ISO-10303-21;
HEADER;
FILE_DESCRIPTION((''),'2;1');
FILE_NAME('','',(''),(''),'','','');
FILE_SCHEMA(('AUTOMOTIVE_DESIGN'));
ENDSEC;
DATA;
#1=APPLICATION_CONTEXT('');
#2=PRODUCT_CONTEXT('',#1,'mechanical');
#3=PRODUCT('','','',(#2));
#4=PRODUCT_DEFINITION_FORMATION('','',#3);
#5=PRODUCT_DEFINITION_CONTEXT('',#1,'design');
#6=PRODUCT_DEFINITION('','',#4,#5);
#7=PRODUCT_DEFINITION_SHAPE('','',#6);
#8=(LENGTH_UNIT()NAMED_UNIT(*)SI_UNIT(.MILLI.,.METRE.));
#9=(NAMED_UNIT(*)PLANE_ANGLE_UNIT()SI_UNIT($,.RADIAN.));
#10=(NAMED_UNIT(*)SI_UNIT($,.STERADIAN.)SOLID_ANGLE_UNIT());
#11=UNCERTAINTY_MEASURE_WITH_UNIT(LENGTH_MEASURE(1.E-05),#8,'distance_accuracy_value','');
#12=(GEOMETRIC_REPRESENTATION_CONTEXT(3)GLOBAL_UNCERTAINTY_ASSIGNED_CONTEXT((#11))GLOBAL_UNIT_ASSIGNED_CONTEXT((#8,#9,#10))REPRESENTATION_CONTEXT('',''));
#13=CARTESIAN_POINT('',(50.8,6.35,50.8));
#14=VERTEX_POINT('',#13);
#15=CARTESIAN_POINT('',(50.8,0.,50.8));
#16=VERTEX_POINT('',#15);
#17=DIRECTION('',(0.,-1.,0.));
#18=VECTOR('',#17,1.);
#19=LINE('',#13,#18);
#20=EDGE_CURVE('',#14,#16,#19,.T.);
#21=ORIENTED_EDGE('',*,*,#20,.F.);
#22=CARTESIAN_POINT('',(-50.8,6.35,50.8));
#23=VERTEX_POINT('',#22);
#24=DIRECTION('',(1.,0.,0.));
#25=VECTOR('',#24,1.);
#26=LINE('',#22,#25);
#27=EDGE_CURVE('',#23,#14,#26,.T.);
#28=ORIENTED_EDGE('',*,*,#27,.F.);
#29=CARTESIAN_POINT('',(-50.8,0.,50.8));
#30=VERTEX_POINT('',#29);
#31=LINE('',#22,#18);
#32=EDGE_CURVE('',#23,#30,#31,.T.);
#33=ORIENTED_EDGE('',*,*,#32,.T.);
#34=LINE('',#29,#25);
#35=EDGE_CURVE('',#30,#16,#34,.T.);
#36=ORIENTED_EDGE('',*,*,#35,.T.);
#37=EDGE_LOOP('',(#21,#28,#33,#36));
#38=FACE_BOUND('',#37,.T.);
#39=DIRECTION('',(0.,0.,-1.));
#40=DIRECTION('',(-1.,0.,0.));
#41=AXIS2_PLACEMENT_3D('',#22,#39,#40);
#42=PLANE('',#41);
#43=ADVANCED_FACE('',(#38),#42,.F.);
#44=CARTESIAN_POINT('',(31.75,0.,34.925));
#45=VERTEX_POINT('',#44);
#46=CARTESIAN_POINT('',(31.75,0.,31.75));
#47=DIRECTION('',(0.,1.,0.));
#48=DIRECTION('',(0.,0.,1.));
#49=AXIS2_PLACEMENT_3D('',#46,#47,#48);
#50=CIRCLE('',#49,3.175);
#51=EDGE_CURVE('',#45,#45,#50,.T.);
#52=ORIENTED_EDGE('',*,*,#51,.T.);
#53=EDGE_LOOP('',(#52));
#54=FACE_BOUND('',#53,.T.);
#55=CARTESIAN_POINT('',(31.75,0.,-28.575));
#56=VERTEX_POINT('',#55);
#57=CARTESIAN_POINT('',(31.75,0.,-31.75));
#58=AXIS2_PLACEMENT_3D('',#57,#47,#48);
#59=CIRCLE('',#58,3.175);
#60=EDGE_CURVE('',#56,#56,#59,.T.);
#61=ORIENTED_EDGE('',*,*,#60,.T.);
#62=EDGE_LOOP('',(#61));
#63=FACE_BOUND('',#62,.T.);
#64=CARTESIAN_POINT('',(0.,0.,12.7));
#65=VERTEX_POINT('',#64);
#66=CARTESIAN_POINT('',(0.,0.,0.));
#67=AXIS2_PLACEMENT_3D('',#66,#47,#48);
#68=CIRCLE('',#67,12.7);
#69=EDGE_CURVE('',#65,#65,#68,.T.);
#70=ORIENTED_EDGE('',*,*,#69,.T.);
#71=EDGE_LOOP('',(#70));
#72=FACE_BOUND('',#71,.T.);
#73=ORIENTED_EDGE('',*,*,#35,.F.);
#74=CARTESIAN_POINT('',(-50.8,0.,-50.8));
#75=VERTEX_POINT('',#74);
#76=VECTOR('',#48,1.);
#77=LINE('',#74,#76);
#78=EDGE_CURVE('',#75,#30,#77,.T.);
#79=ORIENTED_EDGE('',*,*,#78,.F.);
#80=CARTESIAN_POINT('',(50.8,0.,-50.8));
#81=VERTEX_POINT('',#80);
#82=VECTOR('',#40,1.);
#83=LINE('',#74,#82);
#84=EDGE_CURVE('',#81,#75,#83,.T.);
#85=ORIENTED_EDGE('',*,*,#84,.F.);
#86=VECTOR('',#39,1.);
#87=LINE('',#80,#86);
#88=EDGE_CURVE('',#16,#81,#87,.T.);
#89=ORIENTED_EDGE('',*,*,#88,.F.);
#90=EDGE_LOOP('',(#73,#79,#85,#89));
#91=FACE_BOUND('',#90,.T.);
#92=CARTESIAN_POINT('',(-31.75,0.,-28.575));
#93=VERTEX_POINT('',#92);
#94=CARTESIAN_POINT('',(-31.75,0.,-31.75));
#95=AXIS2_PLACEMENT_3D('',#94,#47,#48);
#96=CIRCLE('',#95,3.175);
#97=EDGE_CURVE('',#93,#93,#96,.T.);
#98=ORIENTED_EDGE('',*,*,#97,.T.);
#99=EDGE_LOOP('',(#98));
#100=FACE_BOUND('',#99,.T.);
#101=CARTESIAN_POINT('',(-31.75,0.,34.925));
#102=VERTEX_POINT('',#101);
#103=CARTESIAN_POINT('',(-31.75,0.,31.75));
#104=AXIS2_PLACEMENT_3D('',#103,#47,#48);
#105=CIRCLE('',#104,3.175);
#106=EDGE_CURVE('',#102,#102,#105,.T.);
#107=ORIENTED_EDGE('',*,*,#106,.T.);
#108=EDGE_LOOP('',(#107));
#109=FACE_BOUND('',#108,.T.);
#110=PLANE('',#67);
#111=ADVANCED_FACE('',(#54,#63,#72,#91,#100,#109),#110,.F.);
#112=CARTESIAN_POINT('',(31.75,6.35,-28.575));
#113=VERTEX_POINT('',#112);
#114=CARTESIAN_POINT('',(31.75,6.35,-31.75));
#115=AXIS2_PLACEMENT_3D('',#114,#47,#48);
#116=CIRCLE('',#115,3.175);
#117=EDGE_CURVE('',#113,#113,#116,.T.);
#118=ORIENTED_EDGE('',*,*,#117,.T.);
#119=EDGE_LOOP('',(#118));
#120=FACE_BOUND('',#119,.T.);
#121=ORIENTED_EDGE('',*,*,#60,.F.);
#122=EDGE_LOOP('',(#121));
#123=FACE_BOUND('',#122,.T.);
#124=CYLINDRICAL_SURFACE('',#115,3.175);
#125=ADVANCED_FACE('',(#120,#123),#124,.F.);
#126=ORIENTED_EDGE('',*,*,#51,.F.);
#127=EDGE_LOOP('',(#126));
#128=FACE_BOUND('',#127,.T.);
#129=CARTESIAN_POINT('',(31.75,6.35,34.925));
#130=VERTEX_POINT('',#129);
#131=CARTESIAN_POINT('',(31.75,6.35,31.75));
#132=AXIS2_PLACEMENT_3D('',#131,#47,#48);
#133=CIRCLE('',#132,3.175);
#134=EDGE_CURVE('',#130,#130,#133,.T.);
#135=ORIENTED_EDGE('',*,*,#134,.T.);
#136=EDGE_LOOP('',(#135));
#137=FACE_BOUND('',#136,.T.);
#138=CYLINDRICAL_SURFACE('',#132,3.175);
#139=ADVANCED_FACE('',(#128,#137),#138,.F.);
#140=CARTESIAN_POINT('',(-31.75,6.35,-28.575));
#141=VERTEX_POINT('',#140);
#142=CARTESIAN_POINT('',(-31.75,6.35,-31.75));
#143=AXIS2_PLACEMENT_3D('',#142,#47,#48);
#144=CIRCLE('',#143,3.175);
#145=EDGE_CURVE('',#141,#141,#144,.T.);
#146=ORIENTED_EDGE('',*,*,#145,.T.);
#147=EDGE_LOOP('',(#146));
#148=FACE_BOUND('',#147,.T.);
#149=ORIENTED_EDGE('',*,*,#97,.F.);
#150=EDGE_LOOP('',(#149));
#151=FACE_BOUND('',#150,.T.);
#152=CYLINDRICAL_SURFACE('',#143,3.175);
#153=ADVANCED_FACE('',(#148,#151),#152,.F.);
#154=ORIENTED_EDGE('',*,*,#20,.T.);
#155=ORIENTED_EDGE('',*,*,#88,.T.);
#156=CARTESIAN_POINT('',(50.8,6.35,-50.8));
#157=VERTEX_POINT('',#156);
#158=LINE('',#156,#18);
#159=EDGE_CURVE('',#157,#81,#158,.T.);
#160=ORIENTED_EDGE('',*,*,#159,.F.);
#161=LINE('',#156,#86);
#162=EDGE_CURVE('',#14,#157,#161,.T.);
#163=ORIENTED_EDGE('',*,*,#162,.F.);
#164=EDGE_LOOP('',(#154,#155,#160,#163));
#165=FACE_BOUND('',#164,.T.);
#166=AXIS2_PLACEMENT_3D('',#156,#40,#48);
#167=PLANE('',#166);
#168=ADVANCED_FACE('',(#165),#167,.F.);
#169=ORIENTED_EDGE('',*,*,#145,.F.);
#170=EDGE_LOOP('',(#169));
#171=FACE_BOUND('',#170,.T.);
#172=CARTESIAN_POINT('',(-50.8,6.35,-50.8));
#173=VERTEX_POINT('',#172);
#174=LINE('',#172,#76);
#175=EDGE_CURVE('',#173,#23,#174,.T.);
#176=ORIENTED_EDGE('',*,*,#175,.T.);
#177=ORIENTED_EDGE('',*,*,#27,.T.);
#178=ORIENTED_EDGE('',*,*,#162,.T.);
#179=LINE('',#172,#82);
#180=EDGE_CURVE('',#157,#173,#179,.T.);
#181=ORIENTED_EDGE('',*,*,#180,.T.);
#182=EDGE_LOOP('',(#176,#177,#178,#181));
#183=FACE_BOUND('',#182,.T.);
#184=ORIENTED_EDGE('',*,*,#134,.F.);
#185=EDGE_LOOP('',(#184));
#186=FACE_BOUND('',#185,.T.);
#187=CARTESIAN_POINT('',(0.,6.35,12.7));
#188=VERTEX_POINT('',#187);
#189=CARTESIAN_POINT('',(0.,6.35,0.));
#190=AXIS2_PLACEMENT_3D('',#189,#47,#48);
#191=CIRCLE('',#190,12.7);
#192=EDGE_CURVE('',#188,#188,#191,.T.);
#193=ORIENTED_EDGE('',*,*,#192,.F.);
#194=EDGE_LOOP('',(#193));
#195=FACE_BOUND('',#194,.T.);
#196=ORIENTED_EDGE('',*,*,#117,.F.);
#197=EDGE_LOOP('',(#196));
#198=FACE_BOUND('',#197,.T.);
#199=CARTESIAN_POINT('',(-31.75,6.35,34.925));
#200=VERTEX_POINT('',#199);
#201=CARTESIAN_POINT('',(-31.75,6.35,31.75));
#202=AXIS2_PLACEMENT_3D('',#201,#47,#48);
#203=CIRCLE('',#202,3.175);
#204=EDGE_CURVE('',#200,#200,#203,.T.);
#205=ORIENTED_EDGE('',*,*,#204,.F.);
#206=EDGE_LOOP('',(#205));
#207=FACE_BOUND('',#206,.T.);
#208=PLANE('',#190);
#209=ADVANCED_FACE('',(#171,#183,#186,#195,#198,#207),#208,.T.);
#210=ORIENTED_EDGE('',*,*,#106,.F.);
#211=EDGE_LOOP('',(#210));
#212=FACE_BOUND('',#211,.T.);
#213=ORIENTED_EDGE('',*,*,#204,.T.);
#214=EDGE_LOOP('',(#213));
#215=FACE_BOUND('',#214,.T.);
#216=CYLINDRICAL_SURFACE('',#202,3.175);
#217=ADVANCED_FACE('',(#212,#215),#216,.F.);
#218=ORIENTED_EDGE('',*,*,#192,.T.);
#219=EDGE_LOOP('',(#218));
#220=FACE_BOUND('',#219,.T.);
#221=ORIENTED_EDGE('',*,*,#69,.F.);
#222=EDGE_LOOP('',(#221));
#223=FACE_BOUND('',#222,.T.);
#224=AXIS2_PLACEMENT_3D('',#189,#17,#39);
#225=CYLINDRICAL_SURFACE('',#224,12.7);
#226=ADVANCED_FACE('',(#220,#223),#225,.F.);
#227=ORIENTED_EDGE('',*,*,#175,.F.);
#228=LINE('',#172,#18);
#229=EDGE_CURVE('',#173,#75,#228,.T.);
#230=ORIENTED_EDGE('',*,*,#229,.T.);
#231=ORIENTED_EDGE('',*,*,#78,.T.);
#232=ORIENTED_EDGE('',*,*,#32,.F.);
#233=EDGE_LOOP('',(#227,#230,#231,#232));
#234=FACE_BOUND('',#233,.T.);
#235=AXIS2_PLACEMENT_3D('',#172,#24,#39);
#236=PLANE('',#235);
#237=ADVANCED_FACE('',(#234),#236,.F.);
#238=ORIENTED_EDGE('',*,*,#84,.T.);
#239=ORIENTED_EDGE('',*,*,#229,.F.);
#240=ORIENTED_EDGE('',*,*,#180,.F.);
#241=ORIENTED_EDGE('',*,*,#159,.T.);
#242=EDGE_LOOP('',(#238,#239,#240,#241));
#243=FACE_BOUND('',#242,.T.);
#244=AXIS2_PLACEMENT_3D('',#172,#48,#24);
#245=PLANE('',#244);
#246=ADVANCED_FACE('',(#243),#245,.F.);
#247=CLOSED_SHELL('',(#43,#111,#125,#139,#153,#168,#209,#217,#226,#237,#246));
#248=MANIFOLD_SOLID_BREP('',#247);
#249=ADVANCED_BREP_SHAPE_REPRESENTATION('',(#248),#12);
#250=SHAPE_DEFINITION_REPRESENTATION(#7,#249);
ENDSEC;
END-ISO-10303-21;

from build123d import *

# Parameters (mm, degrees)
SKETCH1_W                   = 101.6
SKETCH1_H                   = 101.6
SKETCH1_R                   = 12.7
BOSS_EXTRUDE1_DEPTH         = 6.35
F_1_4_0_25_DIAMETER_HOLE1_D = 6.35
CIRPATTERN1_COUNT           = 4


with BuildPart() as part:
    # Sketch1 → Boss-Extrude1 (new body)
    with BuildSketch(Plane(origin=(0, 0, 0), x_dir=(1, 0, 0), z_dir=(0, 1, 0))):
        Rectangle(SKETCH1_W, SKETCH1_H)
        with Locations(Location((0, 0, 0), (0, 0, 270))):
            Circle(SKETCH1_R, mode=Mode.SUBTRACT)
    extrude(amount=BOSS_EXTRUDE1_DEPTH)

    # 1/4 (0.25) Diameter Hole1 (through all)
    with Locations(Plane(origin=(0, 6.35, 0), x_dir=(1, 0, 0), z_dir=(0, 1, 0))):
        with Locations((-31.75, -31.75)):
            f_1_4_0_25_diameter_hole1 = Hole(F_1_4_0_25_DIAMETER_HOLE1_D / 2)

    # CirPattern1: 1/4 (0.25) Diameter Hole1 ×4 about axis
    cirpattern1_axis = Axis((0, 0, 0), (0, 1, 0))
    for i in range(1, CIRPATTERN1_COUNT):
        add(f_1_4_0_25_diameter_hole1.rotate(cirpattern1_axis, i * 360 / CIRPATTERN1_COUNT), mode=Mode.SUBTRACT)


solid = part.part
